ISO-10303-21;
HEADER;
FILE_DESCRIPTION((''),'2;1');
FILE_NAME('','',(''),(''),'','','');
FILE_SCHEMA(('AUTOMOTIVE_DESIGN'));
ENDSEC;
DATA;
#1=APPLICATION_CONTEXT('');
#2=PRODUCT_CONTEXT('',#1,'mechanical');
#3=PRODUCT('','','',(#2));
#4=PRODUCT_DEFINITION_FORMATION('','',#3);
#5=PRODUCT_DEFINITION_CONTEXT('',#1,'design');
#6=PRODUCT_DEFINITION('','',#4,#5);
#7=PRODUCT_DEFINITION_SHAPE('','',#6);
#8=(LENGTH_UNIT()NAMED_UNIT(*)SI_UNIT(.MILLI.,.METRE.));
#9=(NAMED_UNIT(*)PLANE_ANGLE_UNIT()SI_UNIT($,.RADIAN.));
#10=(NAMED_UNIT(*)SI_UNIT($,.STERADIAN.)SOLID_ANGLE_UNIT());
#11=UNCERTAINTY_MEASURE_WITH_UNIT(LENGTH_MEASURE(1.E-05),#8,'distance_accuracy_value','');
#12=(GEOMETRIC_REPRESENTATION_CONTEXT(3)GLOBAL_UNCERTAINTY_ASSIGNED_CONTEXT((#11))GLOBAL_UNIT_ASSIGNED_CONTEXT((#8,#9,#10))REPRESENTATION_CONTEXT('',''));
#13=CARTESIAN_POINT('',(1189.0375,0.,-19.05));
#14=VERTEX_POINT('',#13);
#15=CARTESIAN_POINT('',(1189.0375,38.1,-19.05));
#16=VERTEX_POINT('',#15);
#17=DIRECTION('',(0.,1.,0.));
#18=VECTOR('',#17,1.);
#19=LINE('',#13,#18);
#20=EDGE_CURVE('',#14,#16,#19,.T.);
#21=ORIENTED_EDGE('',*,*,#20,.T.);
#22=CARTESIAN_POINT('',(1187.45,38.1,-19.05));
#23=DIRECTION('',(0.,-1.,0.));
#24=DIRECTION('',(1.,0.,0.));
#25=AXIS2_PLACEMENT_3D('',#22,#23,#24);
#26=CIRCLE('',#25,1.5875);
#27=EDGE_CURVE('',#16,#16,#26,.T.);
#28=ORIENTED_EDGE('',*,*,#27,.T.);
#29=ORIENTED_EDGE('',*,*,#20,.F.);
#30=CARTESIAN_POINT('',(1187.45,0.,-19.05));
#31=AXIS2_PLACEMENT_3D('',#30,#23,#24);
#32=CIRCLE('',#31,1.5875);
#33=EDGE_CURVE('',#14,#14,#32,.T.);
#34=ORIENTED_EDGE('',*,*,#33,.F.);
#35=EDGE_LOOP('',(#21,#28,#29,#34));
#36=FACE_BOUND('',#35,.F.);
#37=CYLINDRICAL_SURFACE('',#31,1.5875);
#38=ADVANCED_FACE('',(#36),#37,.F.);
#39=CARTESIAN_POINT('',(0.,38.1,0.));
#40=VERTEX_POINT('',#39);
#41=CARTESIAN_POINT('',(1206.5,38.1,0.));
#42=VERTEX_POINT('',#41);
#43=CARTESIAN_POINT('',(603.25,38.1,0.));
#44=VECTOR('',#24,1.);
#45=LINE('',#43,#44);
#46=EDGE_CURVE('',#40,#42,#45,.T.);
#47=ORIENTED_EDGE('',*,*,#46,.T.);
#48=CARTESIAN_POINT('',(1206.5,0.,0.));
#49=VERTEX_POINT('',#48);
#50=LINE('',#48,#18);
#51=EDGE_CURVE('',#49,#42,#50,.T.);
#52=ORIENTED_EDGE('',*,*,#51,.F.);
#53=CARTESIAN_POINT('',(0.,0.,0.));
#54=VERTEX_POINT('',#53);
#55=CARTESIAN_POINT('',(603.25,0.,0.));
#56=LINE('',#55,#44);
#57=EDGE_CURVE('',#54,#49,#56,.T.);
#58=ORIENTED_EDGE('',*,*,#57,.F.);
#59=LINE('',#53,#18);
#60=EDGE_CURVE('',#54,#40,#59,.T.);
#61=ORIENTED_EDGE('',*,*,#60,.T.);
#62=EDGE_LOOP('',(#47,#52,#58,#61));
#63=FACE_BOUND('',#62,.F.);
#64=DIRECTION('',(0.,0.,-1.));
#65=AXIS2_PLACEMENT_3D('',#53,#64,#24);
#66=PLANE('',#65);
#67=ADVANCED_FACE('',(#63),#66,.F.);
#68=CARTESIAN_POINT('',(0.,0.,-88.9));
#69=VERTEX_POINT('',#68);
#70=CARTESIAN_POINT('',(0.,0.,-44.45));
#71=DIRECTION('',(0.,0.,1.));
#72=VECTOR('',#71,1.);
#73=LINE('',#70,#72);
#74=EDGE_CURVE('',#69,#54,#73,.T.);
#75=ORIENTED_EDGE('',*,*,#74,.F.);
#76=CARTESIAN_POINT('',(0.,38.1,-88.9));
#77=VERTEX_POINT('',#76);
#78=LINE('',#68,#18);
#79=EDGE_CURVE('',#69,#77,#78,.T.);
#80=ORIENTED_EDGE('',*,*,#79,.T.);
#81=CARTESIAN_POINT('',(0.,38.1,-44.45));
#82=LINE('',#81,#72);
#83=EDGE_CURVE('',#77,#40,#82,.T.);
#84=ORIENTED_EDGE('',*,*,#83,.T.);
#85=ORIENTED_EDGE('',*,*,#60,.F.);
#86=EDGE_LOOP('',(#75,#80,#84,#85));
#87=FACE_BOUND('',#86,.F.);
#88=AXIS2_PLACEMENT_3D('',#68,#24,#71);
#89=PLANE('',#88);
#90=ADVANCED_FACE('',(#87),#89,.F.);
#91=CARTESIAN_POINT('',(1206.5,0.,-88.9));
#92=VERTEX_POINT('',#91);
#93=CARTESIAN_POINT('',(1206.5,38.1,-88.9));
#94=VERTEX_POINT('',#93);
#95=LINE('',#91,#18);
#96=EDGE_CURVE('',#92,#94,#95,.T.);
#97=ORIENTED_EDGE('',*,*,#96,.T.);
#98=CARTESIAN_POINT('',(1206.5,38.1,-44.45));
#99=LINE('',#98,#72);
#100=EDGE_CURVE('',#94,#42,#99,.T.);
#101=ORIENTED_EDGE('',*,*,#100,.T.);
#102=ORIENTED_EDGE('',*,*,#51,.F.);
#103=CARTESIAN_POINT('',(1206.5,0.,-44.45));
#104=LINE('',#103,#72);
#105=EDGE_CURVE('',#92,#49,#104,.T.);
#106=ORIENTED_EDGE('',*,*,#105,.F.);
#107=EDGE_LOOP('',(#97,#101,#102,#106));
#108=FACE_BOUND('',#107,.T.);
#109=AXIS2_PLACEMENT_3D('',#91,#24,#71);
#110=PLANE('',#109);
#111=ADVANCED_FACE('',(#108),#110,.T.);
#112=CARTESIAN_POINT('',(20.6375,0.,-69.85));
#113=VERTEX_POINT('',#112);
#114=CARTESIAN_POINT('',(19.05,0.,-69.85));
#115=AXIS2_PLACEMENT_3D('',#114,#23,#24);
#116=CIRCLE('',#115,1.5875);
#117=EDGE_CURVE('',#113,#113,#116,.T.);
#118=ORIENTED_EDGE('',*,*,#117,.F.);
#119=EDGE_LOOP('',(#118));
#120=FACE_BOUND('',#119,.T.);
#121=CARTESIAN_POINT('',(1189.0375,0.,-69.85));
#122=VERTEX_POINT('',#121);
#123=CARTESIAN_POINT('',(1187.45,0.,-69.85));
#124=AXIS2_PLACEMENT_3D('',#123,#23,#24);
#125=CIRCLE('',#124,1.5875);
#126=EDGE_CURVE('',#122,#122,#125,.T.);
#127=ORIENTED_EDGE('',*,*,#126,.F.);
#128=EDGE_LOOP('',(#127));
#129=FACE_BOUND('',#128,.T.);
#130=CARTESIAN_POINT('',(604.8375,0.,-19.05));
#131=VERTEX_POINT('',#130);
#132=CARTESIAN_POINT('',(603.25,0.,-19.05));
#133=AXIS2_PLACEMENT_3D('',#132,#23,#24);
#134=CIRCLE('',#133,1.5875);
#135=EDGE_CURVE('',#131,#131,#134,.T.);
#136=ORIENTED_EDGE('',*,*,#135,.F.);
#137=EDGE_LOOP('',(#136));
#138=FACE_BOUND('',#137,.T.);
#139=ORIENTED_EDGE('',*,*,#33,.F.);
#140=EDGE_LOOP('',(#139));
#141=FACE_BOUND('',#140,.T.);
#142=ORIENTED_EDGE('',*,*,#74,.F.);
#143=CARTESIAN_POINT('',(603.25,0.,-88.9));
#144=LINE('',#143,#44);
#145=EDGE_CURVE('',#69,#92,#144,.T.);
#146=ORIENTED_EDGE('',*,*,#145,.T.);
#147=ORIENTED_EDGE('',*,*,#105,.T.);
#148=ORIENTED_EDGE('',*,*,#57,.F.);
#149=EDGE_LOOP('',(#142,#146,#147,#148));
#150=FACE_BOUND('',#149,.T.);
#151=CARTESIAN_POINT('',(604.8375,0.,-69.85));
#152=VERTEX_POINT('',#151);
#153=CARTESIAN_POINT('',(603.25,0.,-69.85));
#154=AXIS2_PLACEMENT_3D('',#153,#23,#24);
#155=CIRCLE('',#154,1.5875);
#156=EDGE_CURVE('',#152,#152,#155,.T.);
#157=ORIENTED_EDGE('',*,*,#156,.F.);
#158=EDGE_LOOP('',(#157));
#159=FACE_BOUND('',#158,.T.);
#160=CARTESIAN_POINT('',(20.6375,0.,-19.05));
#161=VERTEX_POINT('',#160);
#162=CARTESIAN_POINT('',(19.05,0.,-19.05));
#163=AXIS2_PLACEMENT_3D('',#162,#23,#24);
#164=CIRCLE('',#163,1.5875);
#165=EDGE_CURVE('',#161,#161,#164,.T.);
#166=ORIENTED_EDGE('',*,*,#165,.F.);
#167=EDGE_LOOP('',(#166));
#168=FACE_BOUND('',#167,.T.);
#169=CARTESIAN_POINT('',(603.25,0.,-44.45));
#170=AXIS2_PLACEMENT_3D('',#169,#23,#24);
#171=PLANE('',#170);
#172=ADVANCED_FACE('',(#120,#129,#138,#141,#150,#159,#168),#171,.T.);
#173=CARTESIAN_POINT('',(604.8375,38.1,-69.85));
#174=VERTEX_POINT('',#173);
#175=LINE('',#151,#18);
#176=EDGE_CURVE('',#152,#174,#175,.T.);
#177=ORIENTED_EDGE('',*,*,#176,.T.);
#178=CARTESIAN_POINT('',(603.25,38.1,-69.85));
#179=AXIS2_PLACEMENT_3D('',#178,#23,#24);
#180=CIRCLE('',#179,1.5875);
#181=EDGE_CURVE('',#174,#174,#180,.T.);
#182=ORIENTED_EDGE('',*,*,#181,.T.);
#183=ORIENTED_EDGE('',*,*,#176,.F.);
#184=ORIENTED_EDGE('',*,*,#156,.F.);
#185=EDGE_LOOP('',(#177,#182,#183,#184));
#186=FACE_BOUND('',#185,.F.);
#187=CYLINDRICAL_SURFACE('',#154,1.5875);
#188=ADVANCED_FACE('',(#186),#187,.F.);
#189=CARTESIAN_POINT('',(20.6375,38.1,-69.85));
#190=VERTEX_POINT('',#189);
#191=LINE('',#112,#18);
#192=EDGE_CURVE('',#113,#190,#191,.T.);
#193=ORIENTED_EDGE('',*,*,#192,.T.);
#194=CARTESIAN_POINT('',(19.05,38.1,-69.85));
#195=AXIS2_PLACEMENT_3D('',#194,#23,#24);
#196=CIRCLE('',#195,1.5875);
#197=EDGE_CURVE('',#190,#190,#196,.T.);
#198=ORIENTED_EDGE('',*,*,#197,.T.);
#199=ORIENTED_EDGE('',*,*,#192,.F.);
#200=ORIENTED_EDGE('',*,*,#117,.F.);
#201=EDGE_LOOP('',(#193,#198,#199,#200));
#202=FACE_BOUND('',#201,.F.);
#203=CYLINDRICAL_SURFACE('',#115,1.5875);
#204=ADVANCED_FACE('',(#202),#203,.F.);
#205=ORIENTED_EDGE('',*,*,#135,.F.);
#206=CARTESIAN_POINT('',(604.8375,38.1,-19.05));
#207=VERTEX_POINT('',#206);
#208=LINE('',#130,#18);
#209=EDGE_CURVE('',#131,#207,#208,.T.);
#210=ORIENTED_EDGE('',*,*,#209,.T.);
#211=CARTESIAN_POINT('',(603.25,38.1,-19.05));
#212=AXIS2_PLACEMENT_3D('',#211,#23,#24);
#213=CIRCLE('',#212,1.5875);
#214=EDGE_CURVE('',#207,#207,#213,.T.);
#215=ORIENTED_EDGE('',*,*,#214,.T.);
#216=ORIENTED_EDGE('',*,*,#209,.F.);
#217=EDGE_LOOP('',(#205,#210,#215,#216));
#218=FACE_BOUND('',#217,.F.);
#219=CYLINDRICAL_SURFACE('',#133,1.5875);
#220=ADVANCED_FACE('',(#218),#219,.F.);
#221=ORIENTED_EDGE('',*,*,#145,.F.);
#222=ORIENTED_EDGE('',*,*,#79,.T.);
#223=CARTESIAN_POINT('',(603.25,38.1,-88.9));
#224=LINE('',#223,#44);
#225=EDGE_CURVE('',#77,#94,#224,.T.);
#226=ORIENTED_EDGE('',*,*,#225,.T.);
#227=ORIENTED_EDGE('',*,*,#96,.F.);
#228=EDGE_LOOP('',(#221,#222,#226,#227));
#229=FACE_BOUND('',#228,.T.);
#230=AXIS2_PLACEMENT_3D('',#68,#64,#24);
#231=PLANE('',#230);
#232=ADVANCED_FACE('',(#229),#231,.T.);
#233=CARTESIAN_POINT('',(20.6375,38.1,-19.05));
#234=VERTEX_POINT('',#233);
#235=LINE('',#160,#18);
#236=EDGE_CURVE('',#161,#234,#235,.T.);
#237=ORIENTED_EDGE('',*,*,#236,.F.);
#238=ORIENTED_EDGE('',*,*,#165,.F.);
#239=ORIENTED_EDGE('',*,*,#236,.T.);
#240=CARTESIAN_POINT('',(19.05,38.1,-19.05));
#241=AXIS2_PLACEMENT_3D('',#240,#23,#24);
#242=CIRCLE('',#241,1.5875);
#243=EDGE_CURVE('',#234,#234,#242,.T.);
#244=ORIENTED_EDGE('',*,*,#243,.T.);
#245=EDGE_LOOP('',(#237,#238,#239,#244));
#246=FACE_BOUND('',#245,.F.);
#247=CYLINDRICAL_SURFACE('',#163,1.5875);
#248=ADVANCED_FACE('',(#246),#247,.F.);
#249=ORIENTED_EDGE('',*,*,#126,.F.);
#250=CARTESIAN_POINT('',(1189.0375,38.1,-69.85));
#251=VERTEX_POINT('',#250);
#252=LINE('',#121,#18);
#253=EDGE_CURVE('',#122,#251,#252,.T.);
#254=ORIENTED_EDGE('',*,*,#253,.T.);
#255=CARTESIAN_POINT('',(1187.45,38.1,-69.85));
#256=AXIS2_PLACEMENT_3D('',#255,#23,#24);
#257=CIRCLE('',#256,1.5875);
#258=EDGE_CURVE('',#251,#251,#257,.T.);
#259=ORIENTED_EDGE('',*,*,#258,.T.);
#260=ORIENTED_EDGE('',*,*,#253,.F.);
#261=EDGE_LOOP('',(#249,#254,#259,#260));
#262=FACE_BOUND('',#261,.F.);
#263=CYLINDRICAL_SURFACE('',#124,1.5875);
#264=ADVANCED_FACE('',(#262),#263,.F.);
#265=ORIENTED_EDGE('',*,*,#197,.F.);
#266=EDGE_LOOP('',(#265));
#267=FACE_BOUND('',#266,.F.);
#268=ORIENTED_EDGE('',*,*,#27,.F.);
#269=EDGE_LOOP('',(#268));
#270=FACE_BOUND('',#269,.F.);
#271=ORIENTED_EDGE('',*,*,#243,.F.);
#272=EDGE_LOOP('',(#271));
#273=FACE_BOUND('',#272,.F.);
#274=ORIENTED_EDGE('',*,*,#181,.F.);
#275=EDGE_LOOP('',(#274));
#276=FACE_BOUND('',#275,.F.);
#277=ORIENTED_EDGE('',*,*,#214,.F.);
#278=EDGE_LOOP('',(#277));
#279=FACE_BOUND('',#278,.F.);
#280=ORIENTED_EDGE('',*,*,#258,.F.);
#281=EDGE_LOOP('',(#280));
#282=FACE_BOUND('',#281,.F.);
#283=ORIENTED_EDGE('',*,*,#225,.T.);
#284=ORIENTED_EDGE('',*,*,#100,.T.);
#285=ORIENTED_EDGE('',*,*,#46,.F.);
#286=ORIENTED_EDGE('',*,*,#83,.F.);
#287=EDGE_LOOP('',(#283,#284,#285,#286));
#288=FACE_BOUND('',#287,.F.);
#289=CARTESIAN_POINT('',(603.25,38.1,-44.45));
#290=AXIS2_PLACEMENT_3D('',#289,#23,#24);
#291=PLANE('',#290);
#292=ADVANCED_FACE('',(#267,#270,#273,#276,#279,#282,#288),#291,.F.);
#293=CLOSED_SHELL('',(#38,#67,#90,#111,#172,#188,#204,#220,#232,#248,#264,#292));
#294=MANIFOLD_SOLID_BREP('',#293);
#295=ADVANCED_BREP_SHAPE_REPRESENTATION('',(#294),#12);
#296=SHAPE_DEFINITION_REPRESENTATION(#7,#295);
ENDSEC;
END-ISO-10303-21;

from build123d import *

# Parameters (mm, degrees)
F0_W     = 1206.5
F0_H     = 88.9
F1_DEPTH = 38.1
F2_R     = 1.5875
F3_DEPTH = 38.101


with BuildPart() as f1:
    # F0 (on Front) → F1 (new body)
    with BuildSketch(Plane.XZ):
        with Locations((603.25, -44.45)):
            Rectangle(F0_W, F0_H)
    extrude(amount=-F1_DEPTH)

    # F2 (on Front) → F3 (cut, through all)
    with BuildSketch(Plane.XZ):
        with Locations((19.05, -19.05)):
            Circle(F2_R)
        with Locations((19.05, -69.85)):
            Circle(F2_R)
        with Locations((603.25, -19.05)):
            Circle(F2_R)
        with Locations((603.25, -69.85)):
            Circle(F2_R)
        with Locations((1187.45, -19.05)):
            Circle(F2_R)
        with Locations((1187.45, -69.85)):
            Circle(F2_R)
    extrude(amount=-F3_DEPTH, mode=Mode.SUBTRACT)


solid = f1.part
